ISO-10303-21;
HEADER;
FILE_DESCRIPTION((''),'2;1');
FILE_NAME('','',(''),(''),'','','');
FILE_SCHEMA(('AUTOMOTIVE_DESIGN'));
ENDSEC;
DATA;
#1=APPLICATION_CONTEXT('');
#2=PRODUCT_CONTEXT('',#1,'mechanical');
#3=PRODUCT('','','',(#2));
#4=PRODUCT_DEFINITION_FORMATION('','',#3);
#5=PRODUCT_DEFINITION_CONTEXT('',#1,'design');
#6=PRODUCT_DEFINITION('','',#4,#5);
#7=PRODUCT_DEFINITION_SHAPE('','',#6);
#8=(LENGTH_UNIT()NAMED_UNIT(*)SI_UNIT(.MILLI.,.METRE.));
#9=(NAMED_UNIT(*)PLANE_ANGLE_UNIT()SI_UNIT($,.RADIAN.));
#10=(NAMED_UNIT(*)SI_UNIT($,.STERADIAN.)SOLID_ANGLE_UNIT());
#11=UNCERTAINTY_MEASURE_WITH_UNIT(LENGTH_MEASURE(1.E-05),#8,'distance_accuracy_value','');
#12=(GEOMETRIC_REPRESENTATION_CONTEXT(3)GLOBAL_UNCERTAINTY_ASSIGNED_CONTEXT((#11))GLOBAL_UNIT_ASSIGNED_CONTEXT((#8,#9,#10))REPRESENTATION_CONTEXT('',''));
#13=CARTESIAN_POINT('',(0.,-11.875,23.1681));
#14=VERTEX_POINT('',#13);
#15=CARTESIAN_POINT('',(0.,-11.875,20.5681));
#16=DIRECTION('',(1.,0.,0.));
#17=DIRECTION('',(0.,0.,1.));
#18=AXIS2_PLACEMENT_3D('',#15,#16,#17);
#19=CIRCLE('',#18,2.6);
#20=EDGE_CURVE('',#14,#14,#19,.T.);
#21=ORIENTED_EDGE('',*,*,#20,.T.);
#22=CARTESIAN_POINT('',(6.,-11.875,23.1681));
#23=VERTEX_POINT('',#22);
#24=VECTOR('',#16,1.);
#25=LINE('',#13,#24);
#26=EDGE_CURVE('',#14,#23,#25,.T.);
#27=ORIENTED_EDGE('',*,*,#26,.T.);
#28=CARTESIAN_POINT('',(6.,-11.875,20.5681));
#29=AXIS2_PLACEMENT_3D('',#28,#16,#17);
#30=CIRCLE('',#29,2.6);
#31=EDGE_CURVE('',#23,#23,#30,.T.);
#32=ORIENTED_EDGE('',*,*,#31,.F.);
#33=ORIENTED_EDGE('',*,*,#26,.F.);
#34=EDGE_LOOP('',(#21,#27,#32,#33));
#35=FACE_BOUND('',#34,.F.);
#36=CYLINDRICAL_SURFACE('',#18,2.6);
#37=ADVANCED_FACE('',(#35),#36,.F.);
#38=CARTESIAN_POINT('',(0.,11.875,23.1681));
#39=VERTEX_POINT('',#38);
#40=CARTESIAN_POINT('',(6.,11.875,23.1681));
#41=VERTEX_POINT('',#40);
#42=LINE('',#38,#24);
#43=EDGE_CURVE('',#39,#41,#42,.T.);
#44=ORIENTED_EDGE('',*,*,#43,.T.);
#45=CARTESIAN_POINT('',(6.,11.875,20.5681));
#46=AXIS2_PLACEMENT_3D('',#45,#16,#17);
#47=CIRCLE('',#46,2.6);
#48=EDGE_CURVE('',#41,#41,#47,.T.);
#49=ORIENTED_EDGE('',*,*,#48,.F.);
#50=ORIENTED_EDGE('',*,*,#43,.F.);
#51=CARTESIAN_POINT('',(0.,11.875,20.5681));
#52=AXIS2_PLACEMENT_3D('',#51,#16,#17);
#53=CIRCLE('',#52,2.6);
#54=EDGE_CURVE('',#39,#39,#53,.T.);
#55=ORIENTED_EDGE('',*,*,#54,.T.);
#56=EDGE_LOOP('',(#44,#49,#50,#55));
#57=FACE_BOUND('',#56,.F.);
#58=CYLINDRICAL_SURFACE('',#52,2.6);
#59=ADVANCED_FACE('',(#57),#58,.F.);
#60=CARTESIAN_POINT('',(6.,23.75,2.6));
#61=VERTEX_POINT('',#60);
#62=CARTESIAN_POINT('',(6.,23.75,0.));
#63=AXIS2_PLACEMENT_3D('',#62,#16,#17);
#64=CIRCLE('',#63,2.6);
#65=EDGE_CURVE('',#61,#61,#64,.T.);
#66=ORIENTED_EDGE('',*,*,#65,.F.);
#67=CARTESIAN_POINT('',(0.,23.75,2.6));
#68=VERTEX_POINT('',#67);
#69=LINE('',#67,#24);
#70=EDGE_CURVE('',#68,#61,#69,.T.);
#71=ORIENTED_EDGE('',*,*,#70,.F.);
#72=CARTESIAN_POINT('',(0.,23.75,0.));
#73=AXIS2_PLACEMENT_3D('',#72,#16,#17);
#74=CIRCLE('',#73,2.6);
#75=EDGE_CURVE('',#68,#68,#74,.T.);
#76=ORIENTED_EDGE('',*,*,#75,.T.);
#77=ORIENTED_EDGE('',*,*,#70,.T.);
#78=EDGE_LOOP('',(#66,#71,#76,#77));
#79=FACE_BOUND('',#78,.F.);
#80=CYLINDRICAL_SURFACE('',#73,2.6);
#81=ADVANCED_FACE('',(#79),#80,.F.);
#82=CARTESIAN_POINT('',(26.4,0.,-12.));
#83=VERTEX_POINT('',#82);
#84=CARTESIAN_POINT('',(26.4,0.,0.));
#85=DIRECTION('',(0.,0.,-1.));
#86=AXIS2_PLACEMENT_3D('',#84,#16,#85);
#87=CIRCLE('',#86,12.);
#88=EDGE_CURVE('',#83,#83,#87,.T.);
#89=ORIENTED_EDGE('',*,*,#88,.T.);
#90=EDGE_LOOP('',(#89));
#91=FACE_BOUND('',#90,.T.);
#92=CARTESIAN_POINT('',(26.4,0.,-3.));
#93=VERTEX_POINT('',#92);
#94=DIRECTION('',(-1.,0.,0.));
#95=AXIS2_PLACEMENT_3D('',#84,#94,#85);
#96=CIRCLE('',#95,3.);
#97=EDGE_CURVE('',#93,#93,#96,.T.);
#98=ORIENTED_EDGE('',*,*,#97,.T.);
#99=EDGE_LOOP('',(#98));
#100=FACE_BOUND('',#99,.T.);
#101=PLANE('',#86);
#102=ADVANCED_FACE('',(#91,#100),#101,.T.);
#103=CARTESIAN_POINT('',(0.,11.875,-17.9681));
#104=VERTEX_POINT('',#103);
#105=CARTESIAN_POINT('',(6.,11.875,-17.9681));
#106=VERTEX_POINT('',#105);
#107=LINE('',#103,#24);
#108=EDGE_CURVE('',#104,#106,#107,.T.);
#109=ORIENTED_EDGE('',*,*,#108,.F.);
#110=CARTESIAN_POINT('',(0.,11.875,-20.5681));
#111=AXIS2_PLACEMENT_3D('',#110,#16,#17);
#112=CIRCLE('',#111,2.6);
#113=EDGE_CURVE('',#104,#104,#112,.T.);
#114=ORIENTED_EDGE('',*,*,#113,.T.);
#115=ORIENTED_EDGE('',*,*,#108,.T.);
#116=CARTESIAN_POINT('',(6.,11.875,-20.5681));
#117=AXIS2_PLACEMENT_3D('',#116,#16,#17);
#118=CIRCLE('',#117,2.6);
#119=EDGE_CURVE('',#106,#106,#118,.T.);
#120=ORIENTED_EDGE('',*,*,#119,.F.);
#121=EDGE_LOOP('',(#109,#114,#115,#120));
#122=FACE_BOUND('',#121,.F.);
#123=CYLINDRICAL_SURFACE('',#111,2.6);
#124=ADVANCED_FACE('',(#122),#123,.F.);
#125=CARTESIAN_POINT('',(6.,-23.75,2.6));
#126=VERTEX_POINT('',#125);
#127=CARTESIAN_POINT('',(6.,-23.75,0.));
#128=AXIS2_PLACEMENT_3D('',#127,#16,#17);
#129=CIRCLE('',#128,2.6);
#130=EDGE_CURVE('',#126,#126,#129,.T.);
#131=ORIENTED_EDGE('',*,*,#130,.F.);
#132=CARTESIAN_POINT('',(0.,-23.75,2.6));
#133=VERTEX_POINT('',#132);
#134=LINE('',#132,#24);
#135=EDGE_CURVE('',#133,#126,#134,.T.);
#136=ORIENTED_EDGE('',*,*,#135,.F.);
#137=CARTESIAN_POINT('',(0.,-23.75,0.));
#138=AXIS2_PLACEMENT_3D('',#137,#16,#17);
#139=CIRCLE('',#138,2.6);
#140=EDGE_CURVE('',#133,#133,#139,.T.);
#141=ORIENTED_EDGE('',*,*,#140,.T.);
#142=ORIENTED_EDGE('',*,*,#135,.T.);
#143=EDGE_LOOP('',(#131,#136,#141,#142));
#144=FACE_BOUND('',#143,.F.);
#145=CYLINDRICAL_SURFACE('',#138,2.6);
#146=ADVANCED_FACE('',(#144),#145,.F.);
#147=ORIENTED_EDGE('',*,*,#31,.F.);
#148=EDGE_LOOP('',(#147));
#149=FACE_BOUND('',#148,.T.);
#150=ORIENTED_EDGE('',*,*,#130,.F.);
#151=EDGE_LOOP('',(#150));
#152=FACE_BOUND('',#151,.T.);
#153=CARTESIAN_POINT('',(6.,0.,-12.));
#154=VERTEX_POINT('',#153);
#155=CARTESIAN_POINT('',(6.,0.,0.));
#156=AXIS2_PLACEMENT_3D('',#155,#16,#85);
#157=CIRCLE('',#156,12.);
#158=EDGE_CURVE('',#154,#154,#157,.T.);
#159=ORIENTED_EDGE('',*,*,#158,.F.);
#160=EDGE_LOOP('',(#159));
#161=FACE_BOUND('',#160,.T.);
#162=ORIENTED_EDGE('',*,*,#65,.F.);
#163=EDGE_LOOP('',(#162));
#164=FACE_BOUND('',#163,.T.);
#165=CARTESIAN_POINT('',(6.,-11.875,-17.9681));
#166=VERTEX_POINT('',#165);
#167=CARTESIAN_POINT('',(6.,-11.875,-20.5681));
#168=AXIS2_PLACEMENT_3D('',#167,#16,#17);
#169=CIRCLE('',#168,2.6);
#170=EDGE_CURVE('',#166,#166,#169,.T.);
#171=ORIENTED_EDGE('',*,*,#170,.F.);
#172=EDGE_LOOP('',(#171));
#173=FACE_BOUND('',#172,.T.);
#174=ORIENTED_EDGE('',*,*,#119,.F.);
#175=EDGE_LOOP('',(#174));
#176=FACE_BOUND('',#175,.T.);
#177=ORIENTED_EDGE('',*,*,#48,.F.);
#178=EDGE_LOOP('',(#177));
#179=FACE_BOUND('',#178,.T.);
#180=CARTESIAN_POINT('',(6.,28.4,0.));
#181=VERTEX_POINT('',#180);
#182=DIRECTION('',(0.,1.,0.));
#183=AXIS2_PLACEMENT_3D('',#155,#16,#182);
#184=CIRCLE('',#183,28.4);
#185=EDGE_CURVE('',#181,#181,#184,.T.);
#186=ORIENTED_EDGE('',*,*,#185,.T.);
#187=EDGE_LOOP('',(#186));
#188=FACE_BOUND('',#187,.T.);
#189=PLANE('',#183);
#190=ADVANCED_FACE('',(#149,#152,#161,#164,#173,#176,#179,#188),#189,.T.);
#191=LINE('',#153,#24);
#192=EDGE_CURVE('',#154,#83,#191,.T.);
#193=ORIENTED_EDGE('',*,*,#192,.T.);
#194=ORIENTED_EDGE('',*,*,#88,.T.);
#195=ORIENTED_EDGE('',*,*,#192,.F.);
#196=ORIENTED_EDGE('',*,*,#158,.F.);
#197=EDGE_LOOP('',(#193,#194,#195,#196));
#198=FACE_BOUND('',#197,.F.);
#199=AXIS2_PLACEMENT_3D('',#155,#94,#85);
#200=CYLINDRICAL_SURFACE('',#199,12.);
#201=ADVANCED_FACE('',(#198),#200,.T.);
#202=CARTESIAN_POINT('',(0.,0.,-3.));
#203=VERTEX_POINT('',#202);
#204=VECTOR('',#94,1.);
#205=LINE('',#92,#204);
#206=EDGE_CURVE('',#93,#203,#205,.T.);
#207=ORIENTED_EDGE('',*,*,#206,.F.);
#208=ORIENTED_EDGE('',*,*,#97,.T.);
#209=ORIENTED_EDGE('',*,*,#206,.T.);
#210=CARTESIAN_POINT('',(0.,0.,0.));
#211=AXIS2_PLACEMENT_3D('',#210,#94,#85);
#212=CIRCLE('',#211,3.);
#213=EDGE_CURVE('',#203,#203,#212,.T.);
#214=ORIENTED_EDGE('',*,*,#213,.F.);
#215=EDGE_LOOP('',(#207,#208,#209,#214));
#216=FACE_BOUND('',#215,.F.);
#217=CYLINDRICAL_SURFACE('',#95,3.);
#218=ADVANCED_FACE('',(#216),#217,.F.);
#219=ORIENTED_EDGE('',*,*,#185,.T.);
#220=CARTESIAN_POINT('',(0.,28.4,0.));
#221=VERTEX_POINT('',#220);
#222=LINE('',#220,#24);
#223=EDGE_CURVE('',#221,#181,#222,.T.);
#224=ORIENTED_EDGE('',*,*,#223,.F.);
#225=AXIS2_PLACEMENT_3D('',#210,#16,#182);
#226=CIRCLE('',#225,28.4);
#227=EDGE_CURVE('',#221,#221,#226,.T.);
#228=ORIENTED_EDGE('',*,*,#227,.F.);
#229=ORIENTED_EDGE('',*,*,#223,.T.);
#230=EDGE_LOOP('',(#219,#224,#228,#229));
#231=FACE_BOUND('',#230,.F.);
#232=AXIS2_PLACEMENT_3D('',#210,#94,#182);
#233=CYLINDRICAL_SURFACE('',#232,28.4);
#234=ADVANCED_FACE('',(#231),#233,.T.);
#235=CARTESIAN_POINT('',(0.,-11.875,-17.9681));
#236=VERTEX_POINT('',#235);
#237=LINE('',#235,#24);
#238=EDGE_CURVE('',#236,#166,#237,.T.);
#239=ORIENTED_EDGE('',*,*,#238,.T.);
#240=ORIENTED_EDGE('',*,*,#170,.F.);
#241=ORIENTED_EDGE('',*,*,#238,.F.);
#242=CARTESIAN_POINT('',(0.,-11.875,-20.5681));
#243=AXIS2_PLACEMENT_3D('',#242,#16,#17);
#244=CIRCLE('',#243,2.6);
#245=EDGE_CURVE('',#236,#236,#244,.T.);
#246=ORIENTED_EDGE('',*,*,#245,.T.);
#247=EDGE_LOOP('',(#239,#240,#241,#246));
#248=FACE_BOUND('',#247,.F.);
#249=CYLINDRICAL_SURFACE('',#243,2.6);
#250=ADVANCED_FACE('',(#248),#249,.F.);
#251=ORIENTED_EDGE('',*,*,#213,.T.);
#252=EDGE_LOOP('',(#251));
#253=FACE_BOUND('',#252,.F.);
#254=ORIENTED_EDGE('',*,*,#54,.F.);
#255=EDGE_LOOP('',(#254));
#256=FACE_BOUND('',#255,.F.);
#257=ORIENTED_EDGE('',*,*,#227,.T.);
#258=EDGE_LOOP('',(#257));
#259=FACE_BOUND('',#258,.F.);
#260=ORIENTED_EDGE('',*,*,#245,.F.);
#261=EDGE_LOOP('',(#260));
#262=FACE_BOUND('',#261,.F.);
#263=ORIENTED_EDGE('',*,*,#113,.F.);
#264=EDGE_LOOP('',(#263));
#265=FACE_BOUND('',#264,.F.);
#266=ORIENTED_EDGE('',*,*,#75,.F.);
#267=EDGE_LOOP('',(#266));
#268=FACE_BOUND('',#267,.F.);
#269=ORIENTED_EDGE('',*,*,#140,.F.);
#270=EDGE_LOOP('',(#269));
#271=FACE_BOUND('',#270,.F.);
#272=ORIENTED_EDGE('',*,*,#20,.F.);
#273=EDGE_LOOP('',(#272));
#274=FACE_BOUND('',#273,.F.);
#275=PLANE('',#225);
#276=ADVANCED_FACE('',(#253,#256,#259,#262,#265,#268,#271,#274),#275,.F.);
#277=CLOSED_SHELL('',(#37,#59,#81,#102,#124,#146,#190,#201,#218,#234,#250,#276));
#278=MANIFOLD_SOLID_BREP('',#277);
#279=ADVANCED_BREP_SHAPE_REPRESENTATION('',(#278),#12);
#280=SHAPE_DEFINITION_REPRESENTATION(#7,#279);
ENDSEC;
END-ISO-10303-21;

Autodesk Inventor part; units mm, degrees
ref_plane "YZ Plane" through (0, 0, 0) normal (1, 0, 0) x (0, 1, 0)
ref_plane "XZ Plane" through (0, 0, 0) normal (0, 1, 0) x (-1, 0, 0)
ref_plane "XY Plane" through (0, 0, 0) normal (0, 0, 1) x (1, 0, 0)
sketch "スケッチ1" plane through (0, 0, 0) normal (1, 0, 0) x (0, 1, 0)
  point P0 (0, 0)
sketch "スケッチ2" plane through (0, 0, 0) normal (1, 0, 0) x (0, 1, 0)
  circle A0 centre (0, 0) radius 28.4
  dimension "d0" = 56.8
extrude "押し出し1" add sketch "スケッチ2" along normal blind 6
sketch "スケッチ3" plane through (6, 0, 0) normal (1, 0, 0) x (0, 0, -1)
  circle A0 centre (0, 0) radius 12
  dimension "d3" = 24
extrude "押し出し2" add sketch "スケッチ3" along normal blind 20.4
sketch "スケッチ8" plane through (26.4, 0, 0) normal (1, 0, 0) x (0, 0, -1)
  circle A0 centre (0, 0) radius 12 projected
hole "穴2" at (26.4, 0, 0) direction (-1, 0, 0) diameter 6 end through all
sketch "スケッチ7" plane through (0, 0, 0) normal (-1, 0, 0) x (0, 0, 1)
  circle A0 centre (0, 0) radius 23.75
  line L0 (0, -23.75) -> (-20.5681, -11.875)
  line L1 (-20.5681, -11.875) -> (-20.5681, 11.875)
  line L2 (-20.5681, 11.875) -> (0, 23.75)
  line L3 (0, 23.75) -> (20.5681, 11.875)
  line L4 (20.5681, 11.875) -> (20.5681, -11.875)
  line L5 (20.5681, -11.875) -> (0, -23.75)
  dimension "d43" = 47.5
hole "穴3" at (0, 11.875, 20.5681) at (0, 23.75, 0) at (0, -11.875, 20.5681) at (0, -23.75, 0) at (0, -11.875, -20.5681) at (0, 11.875, -20.5681) direction (1, 0, 0) diameter 5.2 end through all
properties part number "10mmkethub18025"
